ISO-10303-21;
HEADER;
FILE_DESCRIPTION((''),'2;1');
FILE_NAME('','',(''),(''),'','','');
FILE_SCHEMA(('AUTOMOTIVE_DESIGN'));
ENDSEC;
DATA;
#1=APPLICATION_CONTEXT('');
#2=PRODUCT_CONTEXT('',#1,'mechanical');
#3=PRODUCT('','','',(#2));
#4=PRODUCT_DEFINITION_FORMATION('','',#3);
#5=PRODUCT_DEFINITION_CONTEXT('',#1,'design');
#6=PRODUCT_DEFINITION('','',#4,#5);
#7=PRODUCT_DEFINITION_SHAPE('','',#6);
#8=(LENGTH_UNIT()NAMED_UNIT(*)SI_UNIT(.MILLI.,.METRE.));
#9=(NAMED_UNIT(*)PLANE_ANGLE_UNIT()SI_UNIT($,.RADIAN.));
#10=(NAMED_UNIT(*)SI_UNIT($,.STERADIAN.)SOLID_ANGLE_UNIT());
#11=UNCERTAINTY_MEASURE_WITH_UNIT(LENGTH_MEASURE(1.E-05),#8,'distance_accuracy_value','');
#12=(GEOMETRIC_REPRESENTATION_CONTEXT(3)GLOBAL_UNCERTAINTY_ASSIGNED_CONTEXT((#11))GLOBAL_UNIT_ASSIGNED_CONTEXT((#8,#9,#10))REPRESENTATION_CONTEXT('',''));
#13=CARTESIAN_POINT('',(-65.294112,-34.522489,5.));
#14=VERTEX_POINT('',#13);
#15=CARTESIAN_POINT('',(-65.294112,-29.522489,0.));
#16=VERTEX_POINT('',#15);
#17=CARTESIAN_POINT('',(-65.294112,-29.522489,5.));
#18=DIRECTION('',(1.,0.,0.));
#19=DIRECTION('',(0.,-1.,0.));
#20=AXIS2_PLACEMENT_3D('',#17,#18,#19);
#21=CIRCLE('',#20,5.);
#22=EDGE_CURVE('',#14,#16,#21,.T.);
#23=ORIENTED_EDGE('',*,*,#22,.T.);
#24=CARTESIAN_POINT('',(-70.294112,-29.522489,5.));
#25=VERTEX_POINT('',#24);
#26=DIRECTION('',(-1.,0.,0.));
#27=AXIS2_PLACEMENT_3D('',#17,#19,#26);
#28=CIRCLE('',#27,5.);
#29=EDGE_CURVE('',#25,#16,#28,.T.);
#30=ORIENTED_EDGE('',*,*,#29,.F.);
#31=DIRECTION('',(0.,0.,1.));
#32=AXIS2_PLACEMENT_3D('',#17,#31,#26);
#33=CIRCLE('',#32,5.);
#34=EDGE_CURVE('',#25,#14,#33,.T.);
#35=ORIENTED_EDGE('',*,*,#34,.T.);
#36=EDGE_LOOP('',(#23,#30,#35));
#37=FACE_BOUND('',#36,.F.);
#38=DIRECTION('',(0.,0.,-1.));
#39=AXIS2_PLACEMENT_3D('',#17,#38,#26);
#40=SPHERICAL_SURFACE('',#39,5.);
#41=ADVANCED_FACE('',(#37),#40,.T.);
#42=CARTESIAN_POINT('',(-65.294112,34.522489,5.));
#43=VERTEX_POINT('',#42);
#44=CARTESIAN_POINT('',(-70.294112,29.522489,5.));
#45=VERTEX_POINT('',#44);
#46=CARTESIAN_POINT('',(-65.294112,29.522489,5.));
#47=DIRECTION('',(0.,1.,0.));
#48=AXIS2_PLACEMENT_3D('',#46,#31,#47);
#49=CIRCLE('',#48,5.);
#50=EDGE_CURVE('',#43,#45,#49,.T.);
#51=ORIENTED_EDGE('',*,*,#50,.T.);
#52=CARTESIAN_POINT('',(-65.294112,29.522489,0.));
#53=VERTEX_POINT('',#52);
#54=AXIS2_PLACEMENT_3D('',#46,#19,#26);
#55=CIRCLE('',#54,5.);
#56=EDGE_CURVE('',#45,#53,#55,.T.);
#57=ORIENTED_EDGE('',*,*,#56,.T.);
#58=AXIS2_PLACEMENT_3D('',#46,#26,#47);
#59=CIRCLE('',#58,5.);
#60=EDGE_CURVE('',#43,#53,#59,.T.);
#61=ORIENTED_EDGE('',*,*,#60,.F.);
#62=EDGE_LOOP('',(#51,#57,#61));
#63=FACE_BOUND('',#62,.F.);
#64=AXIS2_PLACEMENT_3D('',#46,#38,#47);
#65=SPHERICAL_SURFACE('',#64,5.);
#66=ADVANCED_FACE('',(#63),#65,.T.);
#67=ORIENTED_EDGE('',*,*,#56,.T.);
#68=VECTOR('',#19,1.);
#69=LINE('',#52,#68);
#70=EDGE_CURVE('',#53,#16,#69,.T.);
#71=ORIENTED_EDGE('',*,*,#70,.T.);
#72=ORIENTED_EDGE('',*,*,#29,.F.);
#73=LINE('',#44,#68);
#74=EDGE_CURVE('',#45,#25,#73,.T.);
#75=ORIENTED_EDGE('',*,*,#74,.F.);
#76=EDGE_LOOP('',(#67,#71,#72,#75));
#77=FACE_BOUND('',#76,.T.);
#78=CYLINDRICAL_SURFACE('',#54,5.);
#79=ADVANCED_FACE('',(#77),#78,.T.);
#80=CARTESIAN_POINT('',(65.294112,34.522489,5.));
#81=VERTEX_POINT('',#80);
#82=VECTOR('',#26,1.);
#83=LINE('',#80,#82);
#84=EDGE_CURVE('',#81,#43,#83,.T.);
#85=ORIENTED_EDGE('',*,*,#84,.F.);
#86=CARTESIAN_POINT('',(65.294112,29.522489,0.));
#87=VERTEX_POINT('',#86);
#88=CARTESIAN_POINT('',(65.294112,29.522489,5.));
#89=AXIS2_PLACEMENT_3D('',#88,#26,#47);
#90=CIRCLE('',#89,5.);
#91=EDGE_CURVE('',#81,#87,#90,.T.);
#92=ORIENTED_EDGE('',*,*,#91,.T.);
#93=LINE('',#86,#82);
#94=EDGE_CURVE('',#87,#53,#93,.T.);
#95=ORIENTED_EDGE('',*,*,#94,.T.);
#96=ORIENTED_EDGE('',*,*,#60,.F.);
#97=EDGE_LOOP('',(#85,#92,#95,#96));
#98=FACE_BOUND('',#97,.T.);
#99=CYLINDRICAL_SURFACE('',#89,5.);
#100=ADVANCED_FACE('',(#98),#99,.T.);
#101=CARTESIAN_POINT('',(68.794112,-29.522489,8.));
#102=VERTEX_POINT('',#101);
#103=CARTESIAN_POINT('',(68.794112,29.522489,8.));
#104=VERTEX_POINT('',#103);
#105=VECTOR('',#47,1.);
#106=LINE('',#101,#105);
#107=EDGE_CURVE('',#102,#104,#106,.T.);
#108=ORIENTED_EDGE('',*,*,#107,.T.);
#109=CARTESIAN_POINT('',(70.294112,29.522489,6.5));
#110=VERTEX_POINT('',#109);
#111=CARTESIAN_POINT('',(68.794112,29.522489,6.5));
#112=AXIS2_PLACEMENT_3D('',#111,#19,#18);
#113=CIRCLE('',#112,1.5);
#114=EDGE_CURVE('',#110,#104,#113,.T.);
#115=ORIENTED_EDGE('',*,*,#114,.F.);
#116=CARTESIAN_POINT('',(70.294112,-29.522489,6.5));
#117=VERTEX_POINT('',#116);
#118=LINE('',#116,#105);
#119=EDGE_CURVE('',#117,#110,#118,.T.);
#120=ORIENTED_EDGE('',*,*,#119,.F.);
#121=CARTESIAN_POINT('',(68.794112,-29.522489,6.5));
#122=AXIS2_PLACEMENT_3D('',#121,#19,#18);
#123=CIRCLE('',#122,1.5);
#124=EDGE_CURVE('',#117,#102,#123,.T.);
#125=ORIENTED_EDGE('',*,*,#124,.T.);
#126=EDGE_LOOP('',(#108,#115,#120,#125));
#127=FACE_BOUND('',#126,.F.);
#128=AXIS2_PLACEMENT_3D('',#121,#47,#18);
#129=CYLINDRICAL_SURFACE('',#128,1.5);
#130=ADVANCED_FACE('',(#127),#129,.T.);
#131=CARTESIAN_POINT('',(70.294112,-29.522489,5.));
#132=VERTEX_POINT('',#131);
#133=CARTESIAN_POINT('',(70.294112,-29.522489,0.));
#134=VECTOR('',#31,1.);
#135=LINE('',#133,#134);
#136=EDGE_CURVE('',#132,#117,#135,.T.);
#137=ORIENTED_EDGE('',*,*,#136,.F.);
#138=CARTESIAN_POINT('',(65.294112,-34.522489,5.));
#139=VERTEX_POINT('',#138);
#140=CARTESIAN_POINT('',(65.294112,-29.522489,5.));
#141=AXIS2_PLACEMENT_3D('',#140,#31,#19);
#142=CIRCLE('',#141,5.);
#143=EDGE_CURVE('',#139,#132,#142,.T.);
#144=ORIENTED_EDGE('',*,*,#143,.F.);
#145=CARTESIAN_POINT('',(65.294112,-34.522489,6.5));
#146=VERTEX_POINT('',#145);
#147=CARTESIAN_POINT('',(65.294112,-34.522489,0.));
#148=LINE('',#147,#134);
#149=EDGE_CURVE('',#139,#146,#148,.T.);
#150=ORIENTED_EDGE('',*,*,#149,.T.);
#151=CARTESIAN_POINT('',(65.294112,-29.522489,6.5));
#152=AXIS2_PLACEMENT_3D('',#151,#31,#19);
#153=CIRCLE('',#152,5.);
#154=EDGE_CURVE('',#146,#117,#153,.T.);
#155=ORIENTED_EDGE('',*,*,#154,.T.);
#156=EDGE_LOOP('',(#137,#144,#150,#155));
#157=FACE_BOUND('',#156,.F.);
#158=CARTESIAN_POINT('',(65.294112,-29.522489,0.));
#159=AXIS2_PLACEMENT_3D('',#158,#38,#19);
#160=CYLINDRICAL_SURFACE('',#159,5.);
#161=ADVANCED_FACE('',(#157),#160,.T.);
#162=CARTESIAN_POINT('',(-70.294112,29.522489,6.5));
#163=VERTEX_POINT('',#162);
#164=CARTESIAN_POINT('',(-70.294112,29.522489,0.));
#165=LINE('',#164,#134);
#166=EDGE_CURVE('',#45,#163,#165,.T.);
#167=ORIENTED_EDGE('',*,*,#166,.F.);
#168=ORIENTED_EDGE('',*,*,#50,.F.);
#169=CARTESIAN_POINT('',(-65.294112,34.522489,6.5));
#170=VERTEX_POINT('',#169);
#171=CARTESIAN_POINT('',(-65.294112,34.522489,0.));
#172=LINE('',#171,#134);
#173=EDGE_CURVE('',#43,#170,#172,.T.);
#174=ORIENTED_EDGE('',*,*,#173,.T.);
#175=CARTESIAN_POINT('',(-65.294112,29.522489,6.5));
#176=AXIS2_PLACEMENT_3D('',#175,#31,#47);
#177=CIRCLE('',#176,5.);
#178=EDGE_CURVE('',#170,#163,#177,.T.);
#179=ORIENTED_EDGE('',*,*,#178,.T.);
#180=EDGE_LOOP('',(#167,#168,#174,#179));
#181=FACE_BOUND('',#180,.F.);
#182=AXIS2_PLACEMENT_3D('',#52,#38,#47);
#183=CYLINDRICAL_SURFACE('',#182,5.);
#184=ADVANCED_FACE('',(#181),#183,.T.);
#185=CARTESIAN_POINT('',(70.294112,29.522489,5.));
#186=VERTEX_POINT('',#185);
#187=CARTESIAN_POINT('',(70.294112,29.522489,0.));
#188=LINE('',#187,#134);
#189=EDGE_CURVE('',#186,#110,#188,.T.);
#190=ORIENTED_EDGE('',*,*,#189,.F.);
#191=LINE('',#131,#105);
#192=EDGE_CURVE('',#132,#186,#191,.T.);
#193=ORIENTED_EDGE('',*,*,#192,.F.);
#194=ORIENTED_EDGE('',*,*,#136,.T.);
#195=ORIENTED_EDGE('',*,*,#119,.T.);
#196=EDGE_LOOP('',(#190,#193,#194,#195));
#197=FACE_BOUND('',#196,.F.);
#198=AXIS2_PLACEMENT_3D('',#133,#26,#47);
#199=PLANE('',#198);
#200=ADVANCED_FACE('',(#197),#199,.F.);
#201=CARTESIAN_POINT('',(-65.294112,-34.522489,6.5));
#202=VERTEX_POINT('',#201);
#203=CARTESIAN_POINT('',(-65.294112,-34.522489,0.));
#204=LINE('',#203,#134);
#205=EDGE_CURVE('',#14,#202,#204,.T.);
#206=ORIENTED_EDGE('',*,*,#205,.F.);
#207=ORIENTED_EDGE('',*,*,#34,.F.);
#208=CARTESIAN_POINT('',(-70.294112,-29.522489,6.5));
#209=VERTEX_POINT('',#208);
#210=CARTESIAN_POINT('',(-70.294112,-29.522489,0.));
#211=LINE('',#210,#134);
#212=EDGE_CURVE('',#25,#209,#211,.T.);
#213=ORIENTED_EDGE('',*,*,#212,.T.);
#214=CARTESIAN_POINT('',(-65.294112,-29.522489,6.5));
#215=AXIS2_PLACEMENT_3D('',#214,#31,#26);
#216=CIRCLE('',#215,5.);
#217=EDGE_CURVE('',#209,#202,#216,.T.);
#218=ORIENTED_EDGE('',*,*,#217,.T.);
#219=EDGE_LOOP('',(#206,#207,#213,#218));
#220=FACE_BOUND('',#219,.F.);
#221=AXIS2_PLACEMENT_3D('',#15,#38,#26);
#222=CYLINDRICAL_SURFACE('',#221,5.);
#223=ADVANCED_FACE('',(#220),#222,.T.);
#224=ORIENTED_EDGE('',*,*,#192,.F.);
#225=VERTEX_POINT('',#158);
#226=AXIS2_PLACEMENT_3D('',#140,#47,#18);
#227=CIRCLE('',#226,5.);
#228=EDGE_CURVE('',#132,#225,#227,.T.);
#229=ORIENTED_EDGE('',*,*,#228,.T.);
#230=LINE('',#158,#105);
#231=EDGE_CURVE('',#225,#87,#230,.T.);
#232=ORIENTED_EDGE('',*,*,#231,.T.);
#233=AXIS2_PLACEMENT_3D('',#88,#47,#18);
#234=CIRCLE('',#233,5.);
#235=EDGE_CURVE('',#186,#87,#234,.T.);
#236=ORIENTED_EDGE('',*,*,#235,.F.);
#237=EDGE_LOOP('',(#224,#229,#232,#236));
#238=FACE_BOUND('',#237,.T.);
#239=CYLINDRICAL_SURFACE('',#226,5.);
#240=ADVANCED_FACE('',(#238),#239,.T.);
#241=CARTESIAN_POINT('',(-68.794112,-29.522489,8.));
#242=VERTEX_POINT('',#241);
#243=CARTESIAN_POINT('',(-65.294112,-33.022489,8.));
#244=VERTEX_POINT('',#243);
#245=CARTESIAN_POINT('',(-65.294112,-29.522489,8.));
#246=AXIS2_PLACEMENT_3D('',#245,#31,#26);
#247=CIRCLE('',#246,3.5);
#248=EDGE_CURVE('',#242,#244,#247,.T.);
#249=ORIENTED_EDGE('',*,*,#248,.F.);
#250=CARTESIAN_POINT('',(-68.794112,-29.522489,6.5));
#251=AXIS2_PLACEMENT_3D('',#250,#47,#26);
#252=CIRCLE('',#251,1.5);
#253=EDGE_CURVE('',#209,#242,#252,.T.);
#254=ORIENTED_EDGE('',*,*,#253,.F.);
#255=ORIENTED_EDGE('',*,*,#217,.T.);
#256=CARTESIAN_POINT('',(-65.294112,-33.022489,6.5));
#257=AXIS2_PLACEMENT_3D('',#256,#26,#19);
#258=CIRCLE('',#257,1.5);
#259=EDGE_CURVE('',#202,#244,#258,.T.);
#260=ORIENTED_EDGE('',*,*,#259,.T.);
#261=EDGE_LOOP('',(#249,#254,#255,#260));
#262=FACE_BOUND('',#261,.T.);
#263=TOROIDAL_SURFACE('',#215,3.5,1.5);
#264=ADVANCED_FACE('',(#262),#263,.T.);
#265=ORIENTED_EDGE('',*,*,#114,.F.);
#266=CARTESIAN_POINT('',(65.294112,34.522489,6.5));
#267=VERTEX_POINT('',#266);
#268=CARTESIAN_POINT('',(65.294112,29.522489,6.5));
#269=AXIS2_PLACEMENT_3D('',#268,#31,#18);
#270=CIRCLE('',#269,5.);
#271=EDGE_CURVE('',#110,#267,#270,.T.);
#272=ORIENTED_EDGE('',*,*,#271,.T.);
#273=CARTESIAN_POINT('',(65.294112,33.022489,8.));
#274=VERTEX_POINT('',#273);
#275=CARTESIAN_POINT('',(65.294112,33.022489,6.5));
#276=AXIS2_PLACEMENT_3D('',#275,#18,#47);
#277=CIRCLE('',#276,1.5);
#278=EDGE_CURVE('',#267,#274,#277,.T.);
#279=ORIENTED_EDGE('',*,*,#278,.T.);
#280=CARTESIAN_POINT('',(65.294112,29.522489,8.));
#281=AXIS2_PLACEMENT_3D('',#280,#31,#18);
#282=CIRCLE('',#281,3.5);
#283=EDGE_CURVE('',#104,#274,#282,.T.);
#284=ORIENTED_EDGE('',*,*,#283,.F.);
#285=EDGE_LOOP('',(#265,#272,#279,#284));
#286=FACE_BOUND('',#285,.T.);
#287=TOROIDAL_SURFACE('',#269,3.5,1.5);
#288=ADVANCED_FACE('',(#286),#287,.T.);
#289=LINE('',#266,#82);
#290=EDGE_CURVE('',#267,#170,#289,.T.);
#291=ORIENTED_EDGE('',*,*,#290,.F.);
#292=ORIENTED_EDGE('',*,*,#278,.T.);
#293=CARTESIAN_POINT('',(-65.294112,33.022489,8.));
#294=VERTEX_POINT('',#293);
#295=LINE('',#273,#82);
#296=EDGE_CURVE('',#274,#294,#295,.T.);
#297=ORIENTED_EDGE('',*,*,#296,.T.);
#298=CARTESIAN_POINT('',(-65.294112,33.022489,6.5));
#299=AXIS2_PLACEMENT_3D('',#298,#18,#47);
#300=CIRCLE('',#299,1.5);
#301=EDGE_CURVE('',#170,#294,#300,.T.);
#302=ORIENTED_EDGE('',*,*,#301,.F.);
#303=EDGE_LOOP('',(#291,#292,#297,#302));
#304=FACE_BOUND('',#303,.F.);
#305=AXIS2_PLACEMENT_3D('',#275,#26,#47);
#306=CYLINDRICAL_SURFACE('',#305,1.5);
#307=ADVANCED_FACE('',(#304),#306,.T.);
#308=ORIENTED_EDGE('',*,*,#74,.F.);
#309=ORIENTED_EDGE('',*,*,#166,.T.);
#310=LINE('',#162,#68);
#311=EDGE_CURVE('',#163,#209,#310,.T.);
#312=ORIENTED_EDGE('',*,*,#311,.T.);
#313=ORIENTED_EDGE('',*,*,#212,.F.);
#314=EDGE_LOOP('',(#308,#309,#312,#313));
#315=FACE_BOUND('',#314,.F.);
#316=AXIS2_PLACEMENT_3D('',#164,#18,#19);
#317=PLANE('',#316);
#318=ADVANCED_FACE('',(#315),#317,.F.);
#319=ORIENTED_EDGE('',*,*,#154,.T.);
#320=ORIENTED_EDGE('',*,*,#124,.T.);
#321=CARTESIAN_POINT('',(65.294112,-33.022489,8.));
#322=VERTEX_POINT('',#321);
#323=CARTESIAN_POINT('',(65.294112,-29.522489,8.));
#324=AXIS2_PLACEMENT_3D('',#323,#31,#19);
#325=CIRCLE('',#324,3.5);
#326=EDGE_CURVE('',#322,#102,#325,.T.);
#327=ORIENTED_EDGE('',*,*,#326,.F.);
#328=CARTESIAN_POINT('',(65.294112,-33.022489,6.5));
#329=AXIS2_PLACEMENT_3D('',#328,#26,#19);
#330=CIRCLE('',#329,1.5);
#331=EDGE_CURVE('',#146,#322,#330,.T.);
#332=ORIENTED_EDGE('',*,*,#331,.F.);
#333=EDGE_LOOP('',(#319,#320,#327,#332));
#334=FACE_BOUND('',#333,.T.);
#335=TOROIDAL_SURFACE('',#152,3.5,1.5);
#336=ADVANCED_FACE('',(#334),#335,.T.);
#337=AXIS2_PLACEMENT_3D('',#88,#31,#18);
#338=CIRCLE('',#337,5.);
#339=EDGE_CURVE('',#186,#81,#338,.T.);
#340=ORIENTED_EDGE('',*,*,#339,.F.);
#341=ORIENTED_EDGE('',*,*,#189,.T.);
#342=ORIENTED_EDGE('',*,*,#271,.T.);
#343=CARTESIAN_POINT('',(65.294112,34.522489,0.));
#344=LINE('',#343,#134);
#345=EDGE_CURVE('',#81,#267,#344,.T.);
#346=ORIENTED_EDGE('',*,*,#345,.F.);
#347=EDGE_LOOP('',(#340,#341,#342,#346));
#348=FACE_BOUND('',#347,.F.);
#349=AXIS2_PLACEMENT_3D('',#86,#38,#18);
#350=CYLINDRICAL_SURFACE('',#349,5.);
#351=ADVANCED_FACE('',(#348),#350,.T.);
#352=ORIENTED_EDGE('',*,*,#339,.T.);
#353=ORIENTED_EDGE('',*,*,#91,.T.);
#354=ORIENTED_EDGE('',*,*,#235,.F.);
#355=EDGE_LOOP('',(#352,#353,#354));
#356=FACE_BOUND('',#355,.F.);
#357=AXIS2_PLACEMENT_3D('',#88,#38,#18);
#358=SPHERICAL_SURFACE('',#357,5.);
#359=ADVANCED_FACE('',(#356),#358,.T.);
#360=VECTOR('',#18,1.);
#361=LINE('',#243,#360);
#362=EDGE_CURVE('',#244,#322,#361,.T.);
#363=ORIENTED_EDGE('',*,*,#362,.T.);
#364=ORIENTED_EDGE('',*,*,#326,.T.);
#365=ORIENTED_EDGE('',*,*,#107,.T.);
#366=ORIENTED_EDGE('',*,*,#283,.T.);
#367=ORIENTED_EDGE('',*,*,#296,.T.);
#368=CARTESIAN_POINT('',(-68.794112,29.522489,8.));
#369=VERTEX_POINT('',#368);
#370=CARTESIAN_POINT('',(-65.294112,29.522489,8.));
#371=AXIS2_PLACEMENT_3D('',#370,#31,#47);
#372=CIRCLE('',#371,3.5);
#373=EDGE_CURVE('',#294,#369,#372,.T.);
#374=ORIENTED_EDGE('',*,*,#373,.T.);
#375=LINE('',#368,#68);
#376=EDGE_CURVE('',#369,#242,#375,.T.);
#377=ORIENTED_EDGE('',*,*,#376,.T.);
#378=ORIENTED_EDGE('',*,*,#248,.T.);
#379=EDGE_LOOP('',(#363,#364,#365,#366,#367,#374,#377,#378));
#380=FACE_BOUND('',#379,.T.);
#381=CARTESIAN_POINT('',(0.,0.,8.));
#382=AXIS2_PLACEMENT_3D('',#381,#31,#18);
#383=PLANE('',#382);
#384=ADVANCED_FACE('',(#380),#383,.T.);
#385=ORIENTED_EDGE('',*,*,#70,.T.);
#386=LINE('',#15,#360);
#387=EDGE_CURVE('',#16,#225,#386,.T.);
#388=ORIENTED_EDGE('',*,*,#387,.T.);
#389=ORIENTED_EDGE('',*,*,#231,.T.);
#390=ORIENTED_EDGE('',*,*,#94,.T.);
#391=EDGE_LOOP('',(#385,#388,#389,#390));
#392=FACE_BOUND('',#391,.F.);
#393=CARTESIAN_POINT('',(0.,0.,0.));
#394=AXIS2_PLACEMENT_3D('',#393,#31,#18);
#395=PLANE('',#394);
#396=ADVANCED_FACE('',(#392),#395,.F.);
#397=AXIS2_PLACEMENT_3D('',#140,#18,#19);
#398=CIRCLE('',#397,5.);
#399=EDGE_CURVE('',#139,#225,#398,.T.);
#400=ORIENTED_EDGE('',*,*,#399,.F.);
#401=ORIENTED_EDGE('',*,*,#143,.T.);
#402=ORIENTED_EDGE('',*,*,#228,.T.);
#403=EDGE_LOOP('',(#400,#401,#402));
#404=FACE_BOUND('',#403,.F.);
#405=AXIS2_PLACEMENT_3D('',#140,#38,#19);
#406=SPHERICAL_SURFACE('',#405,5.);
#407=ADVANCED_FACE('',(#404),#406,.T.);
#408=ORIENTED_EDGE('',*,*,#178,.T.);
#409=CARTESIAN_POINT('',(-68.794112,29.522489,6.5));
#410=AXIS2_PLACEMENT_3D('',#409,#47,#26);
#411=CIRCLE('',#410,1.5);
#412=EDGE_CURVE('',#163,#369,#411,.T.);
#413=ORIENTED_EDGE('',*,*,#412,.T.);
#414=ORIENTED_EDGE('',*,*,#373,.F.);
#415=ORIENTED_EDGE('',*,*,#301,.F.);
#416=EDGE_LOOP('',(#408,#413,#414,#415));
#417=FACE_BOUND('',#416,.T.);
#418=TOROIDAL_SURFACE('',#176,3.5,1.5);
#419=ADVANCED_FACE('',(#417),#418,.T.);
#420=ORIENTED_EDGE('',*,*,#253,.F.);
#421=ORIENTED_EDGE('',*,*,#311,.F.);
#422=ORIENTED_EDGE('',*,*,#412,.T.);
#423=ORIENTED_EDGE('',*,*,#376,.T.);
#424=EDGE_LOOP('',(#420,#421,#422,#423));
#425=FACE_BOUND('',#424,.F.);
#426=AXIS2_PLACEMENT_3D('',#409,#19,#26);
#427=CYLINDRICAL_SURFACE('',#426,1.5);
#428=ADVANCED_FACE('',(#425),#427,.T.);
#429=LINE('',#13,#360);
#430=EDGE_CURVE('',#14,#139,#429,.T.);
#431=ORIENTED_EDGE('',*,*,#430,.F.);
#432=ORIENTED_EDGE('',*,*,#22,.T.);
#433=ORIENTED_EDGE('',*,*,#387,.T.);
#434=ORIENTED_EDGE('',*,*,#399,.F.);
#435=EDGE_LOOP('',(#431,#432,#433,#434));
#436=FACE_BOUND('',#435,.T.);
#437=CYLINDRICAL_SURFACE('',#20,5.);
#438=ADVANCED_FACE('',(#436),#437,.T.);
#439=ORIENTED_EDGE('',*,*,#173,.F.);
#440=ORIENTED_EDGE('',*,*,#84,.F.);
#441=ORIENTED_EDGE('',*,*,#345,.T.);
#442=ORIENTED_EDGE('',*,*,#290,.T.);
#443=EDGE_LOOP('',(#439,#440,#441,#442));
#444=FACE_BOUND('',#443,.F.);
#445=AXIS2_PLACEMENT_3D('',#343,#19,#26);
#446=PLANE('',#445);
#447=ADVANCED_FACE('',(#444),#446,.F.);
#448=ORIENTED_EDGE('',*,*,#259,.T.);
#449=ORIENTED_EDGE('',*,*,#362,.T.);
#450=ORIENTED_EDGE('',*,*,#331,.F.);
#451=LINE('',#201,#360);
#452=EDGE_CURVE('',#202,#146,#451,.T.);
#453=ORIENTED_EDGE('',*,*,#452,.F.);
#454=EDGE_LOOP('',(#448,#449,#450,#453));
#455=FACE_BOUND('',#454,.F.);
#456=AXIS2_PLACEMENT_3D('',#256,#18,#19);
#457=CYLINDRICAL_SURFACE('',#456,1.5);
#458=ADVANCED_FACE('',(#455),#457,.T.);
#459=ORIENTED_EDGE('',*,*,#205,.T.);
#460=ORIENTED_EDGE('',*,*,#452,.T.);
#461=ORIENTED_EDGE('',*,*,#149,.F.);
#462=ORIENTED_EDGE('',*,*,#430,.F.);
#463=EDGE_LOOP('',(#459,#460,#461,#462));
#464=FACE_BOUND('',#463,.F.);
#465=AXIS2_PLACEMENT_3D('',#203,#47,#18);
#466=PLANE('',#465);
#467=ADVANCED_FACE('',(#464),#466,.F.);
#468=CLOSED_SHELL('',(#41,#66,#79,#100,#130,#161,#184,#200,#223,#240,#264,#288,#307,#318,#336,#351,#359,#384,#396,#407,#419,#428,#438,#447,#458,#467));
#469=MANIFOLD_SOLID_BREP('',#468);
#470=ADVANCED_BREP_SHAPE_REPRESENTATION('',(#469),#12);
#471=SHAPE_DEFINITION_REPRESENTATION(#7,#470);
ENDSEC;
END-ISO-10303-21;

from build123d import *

# Parameters (mm, degrees)
F1_DEPTH = 8
F2_R     = 1.5
F3_R     = 5


with BuildPart() as f1:
    # F0 (on Top) → F1 (new body)
    with BuildSketch(Plane.XY):
        with BuildLine():
            Line((65.2941119671, 34.5224887133), (-65.2941119671, 34.5224887133))
            ThreePointArc((-65.2941119671, 34.5224887133), (-68.829645873, 33.0580226192), (-70.2941119671, 29.5224887133))
            Line((-70.2941119671, 29.5224887133), (-70.2941119671, -29.5224887133))
            ThreePointArc((-70.2941119671, -29.5224887133), (-68.829645873, -33.0580226192), (-65.2941119671, -34.5224887133))
            Line((-65.2941119671, -34.5224887133), (65.2941119671, -34.5224887133))
            ThreePointArc((65.2941119671, -34.5224887133), (68.829645873, -33.0580226192), (70.2941119671, -29.5224887133))
            Line((70.2941119671, -29.5224887133), (70.2941119671, 29.5224887133))
            ThreePointArc((70.2941119671, 29.5224887133), (68.829645873, 33.0580226192), (65.2941119671, 34.5224887133))
        make_face()
    extrude(amount=F1_DEPTH)

    # F2
    f2_edges = [f1.edges().sort_by_distance(p)[0] for p in [
        (0, 34.522489, 8),
        (-68.829646, 33.058023, 8),
        (-70.294112, 0, 8),
        (-68.829646, -33.058023, 8),
        (0, -34.522489, 8),
        (68.829646, -33.058023, 8),
        (70.294112, 0, 8),
        (68.829646, 33.058023, 8),
    ]]
    fillet(f2_edges, radius=F2_R)

    # F3
    f3_edges = [f1.edges().sort_by_distance(p)[0] for p in [
        (0, 34.522489, 0),
        (-68.829646, 33.058023, 0),
        (-70.294112, 0, 0),
        (-68.829646, -33.058023, 0),
        (0, -34.522489, 0),
        (68.829646, -33.058023, 0),
        (70.294112, 0, 0),
        (68.829646, 33.058023, 0),
    ]]
    fillet(f3_edges, radius=F3_R)


solid = f1.part
